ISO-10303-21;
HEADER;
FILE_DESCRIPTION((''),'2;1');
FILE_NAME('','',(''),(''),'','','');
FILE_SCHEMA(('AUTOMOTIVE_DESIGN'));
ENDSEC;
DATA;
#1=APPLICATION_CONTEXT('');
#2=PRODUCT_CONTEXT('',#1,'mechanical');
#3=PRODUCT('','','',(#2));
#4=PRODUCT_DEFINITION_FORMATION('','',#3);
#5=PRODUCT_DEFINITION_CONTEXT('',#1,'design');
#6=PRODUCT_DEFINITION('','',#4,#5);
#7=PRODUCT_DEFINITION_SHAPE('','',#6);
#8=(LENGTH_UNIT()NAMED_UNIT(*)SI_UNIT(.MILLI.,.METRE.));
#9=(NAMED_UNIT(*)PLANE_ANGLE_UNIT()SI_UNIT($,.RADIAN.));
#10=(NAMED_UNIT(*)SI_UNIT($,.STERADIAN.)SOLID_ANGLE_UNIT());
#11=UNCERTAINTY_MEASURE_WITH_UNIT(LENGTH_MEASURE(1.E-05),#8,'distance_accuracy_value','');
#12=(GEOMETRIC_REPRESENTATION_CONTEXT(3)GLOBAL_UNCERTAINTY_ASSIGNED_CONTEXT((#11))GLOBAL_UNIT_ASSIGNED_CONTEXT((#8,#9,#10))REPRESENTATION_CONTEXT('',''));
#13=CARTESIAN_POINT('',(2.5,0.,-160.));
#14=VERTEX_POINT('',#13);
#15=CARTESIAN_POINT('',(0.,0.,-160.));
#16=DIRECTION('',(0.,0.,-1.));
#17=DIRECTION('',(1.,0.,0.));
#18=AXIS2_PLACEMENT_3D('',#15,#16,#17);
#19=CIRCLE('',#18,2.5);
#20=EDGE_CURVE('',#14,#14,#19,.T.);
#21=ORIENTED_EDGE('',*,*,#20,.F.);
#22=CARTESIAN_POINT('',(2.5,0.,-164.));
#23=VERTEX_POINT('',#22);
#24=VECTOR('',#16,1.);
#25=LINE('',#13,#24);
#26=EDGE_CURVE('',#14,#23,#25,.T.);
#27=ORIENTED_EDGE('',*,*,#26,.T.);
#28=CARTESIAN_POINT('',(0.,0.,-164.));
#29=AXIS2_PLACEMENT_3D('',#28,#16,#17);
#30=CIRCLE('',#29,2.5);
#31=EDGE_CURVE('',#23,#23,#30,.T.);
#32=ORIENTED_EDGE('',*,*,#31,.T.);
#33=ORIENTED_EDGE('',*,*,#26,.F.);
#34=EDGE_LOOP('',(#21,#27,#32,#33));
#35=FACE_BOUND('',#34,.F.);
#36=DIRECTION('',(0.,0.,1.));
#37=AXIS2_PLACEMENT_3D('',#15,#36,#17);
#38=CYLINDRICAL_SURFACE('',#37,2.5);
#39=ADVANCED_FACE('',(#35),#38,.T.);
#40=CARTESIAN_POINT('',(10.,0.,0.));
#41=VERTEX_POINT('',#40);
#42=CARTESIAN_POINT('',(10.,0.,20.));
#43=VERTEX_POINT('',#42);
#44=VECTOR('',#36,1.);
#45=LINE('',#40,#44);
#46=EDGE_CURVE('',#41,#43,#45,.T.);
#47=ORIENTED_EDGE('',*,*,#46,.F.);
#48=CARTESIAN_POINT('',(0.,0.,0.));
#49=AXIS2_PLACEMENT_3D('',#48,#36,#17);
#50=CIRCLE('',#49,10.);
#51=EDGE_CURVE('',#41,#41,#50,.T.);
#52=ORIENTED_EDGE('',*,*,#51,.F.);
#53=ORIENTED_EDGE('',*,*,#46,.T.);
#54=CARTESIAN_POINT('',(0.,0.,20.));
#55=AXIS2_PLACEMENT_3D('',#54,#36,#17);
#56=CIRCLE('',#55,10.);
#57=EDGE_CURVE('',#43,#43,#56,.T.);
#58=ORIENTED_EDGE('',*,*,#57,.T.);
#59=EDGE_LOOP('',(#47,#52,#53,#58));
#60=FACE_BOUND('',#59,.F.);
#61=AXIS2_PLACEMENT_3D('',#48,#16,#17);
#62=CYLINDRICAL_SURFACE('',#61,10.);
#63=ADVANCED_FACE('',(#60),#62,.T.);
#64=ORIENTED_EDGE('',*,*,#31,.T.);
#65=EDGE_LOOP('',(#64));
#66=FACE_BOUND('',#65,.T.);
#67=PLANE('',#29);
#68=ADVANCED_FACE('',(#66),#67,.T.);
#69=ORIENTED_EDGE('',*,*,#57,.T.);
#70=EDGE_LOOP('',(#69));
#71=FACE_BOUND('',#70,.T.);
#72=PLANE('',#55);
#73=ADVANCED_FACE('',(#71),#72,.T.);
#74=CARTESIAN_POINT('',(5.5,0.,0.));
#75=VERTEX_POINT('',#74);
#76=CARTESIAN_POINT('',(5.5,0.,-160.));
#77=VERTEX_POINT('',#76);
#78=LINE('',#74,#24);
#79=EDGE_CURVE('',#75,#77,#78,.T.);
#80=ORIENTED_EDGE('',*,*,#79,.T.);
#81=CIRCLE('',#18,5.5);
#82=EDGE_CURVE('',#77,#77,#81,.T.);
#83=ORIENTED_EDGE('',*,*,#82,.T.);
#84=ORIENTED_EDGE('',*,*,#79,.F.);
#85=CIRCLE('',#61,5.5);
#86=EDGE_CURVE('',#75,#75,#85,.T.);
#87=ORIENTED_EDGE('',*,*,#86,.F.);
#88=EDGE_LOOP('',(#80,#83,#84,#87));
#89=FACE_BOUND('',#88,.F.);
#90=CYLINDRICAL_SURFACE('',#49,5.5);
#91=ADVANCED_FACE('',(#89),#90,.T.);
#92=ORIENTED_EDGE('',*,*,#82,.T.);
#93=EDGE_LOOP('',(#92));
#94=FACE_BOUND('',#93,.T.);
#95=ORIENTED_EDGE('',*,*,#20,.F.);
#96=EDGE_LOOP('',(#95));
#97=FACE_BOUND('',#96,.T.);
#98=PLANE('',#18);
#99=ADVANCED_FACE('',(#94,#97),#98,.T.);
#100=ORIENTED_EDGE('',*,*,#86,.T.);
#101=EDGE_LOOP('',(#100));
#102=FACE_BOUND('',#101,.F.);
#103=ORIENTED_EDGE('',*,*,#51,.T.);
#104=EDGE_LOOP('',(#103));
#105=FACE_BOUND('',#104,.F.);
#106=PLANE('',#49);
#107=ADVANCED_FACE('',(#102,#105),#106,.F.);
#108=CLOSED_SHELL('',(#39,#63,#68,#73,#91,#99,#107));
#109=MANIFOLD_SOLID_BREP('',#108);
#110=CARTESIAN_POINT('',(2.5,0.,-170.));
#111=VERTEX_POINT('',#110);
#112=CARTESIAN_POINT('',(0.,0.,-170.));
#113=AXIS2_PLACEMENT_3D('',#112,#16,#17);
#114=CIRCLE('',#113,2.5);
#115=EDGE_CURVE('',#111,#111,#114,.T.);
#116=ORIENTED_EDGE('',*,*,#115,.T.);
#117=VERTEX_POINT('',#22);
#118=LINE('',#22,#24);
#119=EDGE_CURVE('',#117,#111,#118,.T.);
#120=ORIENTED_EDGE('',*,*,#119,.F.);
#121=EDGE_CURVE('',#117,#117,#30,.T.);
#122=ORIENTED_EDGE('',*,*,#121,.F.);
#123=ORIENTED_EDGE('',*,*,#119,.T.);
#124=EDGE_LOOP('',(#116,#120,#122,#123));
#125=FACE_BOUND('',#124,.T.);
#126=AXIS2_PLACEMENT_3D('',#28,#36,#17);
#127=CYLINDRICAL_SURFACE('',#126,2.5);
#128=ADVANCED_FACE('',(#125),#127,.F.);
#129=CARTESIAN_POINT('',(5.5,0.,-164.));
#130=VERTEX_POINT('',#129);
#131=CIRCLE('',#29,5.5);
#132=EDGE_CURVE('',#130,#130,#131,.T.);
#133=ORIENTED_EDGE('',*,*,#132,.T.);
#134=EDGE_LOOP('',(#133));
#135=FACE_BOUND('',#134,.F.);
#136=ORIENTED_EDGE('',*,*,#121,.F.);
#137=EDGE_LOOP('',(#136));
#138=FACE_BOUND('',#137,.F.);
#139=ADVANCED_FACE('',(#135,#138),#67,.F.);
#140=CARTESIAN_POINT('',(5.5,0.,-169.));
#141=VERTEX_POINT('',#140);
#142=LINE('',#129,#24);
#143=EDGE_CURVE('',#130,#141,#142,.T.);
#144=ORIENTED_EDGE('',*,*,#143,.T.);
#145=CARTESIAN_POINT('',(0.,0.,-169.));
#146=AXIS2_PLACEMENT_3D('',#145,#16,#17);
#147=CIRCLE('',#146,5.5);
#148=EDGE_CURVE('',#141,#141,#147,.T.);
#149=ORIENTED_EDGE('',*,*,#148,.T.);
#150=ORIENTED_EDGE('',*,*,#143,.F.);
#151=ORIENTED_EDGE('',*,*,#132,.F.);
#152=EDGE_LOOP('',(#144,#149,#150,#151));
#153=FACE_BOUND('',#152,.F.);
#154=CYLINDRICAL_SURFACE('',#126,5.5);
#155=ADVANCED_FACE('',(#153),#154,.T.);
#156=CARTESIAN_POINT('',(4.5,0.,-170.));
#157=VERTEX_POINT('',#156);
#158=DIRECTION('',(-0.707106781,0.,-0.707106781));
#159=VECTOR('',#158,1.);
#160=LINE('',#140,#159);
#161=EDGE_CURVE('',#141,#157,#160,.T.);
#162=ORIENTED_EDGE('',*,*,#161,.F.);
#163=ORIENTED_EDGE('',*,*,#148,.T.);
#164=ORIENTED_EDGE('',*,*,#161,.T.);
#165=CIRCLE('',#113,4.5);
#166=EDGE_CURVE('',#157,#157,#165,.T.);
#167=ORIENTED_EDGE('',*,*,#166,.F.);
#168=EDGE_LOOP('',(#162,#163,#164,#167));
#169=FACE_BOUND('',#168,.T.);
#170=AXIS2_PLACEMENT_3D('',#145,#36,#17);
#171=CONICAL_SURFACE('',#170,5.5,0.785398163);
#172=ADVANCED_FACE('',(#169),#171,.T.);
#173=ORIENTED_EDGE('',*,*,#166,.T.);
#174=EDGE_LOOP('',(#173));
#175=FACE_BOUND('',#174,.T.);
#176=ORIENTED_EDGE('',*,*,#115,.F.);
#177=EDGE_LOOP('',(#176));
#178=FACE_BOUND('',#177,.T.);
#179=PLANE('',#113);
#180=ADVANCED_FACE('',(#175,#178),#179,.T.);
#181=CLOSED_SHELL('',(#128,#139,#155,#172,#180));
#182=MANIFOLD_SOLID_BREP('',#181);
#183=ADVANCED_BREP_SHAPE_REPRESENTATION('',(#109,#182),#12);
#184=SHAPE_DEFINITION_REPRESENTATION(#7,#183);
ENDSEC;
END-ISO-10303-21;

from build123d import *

# Parameters (mm, degrees)
F0_R     = 10
F1_DEPTH = 20
F2_R     = 5.5
F3_DEPTH = 160
F4_R     = 2.5
F5_DEPTH = 4
F6_R     = 5.5
F6_R_2   = 2.5
F7_DEPTH = 6
F8_SIZE  = 1


with BuildPart() as f1:
    # F0 (on Top) → F1 (new body)
    with BuildSketch(Plane.XY):
        Circle(F0_R)
    extrude(amount=F1_DEPTH)

    # F2 (on face) → F3 (join)
    with BuildSketch(Plane(origin=(0, 0, 0), x_dir=(1, 0, 0), z_dir=(0, 0, -1))):
        Circle(F2_R)
    extrude(amount=F3_DEPTH)

    # F4 (on face) → F5 (join)
    with BuildSketch(Plane(origin=(0, 0, -160), x_dir=(1, 0, 0), z_dir=(0, 0, -1))):
        Circle(F4_R)
    extrude(amount=F5_DEPTH)


with BuildPart() as f7:
    # F6 (on face) → F7 (new body)
    with BuildSketch(Plane(origin=(0, 0, -164), x_dir=(1, 0, 0), z_dir=(0, 0, -1))):
        Circle(F6_R)
        Circle(F6_R_2, mode=Mode.SUBTRACT)
    extrude(amount=F7_DEPTH)

    # F8
    f8_edges = [f7.edges().sort_by_distance(p)[0] for p in [
        (-5.5, 0, -170),
    ]]
    chamfer(f8_edges, length=F8_SIZE)


solid = Compound([f1.part, f7.part])
